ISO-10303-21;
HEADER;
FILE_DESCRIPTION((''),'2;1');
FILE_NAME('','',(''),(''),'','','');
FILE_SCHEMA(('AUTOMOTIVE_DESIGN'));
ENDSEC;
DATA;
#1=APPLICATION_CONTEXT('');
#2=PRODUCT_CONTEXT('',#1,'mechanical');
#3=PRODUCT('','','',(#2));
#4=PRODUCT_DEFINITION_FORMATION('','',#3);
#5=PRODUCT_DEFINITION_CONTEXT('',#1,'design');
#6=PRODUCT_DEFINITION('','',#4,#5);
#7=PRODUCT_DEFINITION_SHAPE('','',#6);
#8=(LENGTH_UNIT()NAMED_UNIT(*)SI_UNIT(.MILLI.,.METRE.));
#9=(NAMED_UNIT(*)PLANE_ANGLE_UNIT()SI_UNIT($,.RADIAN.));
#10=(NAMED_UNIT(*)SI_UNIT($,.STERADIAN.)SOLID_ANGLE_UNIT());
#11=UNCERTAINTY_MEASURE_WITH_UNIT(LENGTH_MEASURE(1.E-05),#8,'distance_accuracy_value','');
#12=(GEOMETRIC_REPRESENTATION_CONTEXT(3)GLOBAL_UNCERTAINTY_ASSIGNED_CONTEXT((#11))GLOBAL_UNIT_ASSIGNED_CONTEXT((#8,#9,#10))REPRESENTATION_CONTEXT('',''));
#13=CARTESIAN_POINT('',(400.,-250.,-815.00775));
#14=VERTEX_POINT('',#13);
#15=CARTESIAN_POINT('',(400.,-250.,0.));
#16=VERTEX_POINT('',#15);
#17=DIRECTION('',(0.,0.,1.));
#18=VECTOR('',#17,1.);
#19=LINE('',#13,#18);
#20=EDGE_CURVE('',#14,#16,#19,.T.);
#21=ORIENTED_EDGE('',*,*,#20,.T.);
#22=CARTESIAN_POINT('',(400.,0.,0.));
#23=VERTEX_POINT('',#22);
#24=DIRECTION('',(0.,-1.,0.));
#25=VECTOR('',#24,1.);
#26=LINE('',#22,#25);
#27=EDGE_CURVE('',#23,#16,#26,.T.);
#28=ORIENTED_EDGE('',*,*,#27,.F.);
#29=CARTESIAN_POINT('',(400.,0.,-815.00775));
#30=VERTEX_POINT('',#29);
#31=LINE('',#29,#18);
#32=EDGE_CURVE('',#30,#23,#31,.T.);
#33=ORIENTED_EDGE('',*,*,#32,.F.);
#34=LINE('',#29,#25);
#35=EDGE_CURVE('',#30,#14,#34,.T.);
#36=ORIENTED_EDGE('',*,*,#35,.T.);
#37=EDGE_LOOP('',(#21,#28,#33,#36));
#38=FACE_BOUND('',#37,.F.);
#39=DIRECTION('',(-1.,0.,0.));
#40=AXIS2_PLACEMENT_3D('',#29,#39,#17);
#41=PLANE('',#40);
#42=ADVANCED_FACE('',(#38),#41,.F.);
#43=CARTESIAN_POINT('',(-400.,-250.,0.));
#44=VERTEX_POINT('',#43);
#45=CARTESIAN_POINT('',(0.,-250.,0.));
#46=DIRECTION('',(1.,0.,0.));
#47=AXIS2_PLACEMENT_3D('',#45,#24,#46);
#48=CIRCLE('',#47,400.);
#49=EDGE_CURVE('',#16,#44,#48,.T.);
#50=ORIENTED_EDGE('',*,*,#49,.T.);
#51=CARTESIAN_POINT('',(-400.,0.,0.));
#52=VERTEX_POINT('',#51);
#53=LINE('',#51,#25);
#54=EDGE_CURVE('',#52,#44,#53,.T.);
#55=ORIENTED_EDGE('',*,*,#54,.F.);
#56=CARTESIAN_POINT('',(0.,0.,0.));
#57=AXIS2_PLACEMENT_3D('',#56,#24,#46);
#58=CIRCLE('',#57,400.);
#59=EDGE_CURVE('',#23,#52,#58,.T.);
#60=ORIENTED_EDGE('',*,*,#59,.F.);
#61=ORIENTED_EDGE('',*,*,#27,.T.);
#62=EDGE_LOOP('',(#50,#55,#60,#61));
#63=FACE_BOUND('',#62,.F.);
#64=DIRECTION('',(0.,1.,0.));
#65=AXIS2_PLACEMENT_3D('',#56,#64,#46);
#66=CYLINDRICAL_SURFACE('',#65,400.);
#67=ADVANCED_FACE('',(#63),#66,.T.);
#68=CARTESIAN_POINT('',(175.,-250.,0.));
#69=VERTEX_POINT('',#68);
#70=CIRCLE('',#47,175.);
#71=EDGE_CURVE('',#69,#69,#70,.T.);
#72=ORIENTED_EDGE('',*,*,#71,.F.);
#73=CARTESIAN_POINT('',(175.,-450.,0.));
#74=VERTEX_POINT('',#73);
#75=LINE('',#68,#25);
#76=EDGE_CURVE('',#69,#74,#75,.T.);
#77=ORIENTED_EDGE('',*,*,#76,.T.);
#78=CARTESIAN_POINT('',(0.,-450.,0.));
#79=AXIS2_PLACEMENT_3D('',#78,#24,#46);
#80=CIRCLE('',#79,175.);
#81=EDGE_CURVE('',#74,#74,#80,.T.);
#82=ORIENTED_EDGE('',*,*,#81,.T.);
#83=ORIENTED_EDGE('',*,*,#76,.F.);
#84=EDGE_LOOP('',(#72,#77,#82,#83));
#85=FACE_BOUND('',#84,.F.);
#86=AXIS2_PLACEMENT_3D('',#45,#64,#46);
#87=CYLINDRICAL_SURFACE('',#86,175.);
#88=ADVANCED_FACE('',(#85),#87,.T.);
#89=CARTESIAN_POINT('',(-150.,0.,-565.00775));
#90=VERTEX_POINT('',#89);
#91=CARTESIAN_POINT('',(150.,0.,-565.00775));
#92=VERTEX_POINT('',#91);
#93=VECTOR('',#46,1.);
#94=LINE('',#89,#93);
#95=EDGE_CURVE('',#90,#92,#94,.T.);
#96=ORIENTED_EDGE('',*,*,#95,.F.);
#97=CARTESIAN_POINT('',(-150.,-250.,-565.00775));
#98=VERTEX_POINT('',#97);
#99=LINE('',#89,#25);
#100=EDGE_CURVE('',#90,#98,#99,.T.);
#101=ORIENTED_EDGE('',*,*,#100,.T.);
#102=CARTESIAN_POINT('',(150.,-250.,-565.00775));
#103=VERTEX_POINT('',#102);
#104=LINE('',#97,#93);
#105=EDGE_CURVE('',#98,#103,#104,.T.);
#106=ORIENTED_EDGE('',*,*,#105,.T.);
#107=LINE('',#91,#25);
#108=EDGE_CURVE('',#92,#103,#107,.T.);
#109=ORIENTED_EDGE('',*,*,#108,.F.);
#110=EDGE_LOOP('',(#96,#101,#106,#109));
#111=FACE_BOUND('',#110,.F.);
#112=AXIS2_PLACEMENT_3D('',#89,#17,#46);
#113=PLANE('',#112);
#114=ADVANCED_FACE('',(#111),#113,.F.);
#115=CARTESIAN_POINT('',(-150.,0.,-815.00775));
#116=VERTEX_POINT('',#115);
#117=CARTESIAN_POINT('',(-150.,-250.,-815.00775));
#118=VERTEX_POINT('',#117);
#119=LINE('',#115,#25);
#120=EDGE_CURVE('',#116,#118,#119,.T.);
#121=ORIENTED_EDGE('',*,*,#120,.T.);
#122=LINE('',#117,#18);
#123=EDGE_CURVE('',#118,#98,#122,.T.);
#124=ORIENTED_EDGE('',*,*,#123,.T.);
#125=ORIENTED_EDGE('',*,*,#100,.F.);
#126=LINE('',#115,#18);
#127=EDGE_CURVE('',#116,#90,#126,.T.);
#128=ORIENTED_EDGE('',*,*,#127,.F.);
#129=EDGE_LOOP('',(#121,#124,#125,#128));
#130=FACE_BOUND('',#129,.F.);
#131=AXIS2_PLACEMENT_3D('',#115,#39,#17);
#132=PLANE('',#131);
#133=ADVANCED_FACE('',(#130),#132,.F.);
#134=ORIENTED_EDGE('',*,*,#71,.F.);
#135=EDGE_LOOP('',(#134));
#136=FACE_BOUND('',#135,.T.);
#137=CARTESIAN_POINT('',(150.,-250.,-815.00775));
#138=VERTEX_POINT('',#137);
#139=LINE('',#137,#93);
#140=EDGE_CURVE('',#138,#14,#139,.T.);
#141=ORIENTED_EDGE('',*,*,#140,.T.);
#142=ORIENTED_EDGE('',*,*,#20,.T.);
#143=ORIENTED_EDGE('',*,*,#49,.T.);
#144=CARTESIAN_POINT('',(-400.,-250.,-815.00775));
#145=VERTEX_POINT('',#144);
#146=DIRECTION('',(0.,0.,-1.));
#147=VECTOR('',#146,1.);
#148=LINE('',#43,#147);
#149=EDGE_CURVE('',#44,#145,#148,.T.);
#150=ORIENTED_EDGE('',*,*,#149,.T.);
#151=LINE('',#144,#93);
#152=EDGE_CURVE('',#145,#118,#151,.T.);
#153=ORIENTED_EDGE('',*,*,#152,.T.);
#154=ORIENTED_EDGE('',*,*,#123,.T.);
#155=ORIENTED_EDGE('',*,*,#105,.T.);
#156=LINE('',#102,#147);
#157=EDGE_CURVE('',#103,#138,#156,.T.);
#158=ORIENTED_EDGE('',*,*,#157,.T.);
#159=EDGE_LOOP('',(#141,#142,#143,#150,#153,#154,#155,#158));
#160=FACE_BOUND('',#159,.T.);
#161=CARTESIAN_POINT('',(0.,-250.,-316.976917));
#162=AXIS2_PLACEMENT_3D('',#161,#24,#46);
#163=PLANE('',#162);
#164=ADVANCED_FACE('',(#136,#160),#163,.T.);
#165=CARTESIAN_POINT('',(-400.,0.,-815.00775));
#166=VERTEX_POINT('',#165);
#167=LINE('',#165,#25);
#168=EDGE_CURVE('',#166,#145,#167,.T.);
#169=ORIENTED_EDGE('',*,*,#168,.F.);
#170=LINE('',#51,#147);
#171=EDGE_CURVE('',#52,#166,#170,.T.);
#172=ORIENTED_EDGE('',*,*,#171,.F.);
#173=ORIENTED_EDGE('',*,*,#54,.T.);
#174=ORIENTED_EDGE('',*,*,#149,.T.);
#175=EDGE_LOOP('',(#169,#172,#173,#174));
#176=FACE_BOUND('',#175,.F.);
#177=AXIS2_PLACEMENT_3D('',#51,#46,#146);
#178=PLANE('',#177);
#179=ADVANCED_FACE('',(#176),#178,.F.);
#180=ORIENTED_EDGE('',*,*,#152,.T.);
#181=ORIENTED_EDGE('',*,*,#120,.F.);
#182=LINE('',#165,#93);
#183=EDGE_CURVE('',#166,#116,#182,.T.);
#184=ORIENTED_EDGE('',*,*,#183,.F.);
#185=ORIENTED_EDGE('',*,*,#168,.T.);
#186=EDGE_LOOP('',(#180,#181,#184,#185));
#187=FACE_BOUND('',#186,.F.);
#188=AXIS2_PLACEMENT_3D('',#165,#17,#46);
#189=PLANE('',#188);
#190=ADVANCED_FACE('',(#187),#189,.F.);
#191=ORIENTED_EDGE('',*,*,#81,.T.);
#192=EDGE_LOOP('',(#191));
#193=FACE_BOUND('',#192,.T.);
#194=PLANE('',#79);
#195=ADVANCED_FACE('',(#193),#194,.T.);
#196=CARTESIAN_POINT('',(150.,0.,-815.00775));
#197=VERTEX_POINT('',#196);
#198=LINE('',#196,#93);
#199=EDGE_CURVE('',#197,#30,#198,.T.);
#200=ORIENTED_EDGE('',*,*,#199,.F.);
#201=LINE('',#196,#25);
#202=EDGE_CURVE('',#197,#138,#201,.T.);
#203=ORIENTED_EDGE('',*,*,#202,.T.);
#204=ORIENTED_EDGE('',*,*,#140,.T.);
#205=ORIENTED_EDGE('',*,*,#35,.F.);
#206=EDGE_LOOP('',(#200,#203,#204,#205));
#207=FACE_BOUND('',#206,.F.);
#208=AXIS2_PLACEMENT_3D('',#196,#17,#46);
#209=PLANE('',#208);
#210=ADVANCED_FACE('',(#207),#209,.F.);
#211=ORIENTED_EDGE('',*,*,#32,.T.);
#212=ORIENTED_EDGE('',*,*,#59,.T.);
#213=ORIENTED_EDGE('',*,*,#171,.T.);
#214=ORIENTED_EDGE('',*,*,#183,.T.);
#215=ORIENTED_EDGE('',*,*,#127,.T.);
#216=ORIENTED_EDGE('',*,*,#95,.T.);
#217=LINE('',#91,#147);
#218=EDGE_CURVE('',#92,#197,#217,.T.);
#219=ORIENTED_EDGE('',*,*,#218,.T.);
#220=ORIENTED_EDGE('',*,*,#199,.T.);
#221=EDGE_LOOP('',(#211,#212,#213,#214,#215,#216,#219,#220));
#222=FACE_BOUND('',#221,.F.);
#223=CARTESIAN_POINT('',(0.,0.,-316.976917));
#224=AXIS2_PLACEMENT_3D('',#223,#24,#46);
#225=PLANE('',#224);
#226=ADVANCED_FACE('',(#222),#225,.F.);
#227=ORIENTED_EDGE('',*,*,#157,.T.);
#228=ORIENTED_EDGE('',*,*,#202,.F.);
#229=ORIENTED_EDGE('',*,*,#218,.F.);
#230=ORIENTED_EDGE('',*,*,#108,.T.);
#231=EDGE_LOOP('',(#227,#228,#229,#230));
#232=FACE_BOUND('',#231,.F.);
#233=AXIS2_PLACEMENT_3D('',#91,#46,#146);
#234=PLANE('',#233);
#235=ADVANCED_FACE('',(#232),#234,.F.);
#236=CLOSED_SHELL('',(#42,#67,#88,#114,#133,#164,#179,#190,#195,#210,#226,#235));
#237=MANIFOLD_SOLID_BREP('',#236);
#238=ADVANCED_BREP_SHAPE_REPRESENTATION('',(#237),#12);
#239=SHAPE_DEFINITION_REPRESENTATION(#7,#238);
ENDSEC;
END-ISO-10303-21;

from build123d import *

# Parameters (mm, degrees)
F1_DEPTH = 250
F2_R     = 175
F3_DEPTH = 200
F4_R     = 175
F5_DEPTH = 200


with BuildPart() as f1:
    # F0 (on Front) → F1 (new body)
    with BuildSketch(Plane.XZ):
        with BuildLine():
            Line((400, -815.00775), (400, 0))
            ThreePointArc((400, 0), (0, 400), (-400, 0))
            Line((-400, 0), (-400, -815.00775))
            Line((-400, -815.00775), (-150, -815.00775))
            Line((-150, -815.00775), (-150, -565.00775))
            Line((-150, -565.00775), (150, -565.00775))
            Line((150, -565.00775), (150, -815.00775))
            Line((150, -815.00775), (400, -815.00775))
        make_face()
    extrude(amount=F1_DEPTH)

    # F2 (on face) → F3 (join)
    with BuildSketch(Plane(origin=(0, 0, 0), x_dir=(-1, 0, 0), z_dir=(0, 1, 0))):
        Circle(F2_R)
    extrude(amount=-F3_DEPTH)

    # F4 (on face) → F5 (join)
    with BuildSketch(Plane.XZ.offset(250)):
        Circle(F4_R)
    extrude(amount=F5_DEPTH)


solid = f1.part
